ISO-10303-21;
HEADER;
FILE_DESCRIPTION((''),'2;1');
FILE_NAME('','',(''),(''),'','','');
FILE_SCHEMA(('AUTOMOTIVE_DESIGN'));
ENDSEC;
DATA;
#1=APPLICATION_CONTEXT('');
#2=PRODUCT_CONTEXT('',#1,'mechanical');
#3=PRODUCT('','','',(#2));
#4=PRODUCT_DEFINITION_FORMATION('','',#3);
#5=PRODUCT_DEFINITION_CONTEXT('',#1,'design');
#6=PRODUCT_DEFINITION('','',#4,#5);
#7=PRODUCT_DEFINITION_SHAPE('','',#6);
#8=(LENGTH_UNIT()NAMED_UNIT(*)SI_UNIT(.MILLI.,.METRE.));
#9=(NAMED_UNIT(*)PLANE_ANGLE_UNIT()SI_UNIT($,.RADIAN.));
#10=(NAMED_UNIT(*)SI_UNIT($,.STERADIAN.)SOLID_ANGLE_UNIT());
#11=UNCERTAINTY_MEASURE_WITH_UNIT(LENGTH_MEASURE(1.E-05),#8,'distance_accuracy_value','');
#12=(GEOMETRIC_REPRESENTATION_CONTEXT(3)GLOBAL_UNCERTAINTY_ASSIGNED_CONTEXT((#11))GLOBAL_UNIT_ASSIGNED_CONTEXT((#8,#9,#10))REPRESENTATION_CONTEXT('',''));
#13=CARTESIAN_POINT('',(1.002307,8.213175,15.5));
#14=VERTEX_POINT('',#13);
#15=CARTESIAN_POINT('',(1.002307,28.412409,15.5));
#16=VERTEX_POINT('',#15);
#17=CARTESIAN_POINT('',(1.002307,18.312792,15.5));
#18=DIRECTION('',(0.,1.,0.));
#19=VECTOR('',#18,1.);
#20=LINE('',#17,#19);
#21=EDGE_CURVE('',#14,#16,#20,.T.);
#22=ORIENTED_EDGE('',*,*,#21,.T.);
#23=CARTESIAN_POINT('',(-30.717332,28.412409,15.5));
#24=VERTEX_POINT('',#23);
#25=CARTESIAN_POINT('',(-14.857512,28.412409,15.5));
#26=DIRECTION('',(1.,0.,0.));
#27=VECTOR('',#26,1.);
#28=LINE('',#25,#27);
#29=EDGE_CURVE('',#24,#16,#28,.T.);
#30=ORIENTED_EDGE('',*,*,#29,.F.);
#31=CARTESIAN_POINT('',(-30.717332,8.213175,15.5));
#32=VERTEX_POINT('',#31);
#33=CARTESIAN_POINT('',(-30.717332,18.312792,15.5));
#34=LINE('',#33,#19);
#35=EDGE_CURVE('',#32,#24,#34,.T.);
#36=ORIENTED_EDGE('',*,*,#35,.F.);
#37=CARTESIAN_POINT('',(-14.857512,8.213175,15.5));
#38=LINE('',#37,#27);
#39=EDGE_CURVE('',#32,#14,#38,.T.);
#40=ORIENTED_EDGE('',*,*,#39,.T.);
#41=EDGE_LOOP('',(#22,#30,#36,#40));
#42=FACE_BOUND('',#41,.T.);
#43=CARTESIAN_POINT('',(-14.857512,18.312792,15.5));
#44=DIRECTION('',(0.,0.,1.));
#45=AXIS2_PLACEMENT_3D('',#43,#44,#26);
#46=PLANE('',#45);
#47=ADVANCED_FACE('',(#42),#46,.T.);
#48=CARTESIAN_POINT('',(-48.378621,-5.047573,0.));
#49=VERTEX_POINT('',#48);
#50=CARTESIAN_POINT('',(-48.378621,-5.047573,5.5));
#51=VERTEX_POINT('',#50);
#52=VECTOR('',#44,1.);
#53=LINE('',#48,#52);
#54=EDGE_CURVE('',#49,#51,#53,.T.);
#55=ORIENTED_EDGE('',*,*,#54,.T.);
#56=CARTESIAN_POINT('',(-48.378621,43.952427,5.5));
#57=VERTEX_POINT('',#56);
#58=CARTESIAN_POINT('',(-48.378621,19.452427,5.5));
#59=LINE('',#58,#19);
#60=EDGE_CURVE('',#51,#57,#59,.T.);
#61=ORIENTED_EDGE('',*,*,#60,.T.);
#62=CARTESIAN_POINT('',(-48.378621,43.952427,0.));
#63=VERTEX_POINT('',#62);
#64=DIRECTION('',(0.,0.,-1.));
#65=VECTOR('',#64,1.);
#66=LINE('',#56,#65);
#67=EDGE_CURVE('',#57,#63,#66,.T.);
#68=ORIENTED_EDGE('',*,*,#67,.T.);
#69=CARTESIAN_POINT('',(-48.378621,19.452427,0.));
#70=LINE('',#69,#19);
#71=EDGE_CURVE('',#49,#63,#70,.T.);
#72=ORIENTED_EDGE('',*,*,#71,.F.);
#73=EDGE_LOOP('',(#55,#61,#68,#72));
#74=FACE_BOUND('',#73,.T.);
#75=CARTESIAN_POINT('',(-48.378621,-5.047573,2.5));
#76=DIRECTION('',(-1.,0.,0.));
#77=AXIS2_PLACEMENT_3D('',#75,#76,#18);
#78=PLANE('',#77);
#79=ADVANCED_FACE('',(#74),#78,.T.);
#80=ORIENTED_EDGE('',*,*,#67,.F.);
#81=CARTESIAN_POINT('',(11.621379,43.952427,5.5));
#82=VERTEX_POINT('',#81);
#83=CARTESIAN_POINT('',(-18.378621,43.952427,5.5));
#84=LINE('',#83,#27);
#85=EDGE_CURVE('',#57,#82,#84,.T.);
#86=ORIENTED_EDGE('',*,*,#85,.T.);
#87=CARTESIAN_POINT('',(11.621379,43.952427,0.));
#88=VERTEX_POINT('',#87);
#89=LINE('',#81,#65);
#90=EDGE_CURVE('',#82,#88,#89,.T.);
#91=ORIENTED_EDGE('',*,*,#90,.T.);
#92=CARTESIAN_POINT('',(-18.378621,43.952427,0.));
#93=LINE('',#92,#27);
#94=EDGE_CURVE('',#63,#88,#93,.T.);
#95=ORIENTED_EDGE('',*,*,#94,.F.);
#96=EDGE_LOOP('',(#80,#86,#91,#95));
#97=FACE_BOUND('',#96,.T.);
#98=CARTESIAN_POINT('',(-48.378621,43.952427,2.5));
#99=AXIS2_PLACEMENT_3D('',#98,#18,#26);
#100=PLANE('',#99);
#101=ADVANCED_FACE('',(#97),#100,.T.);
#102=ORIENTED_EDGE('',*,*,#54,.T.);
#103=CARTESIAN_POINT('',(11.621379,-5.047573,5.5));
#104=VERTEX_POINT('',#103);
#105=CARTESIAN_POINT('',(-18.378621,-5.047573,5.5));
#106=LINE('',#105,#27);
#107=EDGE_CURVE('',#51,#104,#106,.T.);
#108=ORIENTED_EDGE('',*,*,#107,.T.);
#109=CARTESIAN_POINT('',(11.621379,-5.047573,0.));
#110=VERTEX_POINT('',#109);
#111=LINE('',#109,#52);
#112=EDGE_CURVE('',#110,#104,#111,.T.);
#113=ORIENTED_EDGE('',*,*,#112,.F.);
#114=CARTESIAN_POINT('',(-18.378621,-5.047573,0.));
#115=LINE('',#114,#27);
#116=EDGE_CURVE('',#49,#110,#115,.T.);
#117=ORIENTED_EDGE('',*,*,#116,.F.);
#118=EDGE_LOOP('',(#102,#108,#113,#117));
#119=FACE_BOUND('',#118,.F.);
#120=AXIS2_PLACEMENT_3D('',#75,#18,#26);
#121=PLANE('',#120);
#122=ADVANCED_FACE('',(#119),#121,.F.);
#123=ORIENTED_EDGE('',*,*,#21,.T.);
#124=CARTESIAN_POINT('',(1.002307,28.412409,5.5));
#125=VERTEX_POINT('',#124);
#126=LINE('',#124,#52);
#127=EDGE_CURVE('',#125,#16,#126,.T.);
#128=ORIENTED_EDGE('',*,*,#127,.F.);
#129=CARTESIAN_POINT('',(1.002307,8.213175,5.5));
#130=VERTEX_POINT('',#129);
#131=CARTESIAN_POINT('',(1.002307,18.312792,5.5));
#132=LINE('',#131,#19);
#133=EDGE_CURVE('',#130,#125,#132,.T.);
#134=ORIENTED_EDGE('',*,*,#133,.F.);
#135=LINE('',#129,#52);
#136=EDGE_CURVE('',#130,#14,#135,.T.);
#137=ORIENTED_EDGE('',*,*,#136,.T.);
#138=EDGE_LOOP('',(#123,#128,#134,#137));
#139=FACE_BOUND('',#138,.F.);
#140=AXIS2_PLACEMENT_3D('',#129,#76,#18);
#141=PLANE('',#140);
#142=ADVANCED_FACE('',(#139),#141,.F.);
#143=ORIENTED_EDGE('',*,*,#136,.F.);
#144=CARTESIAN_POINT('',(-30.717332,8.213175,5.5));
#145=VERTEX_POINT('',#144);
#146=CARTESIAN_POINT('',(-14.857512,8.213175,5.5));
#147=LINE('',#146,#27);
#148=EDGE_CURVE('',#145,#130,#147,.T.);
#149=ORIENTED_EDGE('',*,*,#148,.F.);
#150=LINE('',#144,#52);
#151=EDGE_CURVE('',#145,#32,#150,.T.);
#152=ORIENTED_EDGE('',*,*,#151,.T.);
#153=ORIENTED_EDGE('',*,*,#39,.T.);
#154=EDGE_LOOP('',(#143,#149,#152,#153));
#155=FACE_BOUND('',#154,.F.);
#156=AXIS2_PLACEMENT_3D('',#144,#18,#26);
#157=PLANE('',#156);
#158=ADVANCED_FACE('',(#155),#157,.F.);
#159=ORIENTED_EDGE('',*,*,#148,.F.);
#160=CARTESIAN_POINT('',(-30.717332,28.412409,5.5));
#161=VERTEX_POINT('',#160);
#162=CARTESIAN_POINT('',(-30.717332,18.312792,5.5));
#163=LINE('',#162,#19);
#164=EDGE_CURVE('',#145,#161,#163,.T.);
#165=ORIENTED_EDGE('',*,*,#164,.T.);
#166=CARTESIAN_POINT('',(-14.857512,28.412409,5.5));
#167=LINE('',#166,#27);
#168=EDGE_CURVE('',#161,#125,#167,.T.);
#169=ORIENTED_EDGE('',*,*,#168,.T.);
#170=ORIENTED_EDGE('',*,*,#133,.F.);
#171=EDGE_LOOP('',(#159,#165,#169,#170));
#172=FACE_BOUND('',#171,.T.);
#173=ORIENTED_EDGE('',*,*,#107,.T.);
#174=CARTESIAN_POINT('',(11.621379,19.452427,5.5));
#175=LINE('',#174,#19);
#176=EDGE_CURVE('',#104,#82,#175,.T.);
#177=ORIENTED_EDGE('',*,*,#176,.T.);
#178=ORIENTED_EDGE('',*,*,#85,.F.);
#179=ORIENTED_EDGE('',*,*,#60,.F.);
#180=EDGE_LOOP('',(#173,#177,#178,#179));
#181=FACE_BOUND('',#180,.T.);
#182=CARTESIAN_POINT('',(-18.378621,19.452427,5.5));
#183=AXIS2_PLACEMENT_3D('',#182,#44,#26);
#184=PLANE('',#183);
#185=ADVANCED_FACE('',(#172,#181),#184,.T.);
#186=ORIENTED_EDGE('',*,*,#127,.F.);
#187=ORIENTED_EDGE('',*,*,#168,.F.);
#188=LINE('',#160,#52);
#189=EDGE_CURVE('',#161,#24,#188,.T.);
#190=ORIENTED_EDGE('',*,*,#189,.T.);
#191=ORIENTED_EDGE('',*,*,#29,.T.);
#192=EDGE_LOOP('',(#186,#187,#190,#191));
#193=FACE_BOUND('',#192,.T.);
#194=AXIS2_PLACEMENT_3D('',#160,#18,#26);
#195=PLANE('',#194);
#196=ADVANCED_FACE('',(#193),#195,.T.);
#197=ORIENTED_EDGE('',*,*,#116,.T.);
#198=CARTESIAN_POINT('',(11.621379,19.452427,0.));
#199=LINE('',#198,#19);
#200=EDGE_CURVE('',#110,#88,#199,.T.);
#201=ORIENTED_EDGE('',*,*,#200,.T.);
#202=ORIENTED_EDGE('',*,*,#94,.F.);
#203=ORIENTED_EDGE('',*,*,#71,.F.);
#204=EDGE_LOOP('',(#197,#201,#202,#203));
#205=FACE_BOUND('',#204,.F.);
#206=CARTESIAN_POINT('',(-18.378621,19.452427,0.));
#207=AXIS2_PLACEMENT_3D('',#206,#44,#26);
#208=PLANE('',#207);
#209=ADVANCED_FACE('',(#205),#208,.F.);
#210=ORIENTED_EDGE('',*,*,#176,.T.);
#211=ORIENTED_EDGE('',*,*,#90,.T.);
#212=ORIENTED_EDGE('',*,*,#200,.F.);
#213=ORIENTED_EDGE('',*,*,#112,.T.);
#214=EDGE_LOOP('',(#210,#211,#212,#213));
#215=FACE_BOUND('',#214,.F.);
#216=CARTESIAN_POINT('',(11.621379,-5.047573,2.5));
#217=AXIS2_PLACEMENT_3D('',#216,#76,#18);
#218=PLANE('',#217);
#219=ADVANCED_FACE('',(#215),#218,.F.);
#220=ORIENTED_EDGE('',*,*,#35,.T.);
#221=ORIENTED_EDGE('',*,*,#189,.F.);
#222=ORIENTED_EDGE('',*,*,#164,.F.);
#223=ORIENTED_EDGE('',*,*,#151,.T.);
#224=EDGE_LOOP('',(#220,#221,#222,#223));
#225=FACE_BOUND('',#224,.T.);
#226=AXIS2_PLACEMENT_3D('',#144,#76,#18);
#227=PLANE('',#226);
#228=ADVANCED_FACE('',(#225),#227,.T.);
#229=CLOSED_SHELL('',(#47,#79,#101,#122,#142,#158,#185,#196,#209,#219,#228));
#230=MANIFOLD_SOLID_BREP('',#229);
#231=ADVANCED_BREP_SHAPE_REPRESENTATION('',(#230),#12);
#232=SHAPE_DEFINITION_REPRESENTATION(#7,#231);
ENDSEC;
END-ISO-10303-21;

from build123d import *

# Parameters (mm, degrees)
F0_W      = 60
F0_H      = 49
F1_DEPTH  = 2.5
F1_FACE_W = 60
F1_FACE_H = 49
F2_DEPTH  = 3
F3_W      = 31.719639
F3_H      = 20.199234
F4_DEPTH  = 10


with BuildPart() as f1:
    # F0 (on Top) → F1 (new body)
    with BuildSketch(Plane.XY):
        with Locations((-18.378621, 19.452427)):
            Rectangle(F0_W, F0_H)
    extrude(amount=F1_DEPTH)

    # F1_face (on face) → F2 (join)
    with BuildSketch(Plane(origin=(-18.378621, 19.452427, 2.5), x_dir=(1, 0, 0), z_dir=(0, 0, 1))):
        Rectangle(F1_FACE_W, F1_FACE_H)
    extrude(amount=F2_DEPTH)

    # F3 (on face) → F4 (join)
    with BuildSketch(Plane.XY.offset(5.5)):
        with Locations((-14.857512, 18.312792)):
            Rectangle(F3_W, F3_H)
    extrude(amount=F4_DEPTH)


solid = f1.part
